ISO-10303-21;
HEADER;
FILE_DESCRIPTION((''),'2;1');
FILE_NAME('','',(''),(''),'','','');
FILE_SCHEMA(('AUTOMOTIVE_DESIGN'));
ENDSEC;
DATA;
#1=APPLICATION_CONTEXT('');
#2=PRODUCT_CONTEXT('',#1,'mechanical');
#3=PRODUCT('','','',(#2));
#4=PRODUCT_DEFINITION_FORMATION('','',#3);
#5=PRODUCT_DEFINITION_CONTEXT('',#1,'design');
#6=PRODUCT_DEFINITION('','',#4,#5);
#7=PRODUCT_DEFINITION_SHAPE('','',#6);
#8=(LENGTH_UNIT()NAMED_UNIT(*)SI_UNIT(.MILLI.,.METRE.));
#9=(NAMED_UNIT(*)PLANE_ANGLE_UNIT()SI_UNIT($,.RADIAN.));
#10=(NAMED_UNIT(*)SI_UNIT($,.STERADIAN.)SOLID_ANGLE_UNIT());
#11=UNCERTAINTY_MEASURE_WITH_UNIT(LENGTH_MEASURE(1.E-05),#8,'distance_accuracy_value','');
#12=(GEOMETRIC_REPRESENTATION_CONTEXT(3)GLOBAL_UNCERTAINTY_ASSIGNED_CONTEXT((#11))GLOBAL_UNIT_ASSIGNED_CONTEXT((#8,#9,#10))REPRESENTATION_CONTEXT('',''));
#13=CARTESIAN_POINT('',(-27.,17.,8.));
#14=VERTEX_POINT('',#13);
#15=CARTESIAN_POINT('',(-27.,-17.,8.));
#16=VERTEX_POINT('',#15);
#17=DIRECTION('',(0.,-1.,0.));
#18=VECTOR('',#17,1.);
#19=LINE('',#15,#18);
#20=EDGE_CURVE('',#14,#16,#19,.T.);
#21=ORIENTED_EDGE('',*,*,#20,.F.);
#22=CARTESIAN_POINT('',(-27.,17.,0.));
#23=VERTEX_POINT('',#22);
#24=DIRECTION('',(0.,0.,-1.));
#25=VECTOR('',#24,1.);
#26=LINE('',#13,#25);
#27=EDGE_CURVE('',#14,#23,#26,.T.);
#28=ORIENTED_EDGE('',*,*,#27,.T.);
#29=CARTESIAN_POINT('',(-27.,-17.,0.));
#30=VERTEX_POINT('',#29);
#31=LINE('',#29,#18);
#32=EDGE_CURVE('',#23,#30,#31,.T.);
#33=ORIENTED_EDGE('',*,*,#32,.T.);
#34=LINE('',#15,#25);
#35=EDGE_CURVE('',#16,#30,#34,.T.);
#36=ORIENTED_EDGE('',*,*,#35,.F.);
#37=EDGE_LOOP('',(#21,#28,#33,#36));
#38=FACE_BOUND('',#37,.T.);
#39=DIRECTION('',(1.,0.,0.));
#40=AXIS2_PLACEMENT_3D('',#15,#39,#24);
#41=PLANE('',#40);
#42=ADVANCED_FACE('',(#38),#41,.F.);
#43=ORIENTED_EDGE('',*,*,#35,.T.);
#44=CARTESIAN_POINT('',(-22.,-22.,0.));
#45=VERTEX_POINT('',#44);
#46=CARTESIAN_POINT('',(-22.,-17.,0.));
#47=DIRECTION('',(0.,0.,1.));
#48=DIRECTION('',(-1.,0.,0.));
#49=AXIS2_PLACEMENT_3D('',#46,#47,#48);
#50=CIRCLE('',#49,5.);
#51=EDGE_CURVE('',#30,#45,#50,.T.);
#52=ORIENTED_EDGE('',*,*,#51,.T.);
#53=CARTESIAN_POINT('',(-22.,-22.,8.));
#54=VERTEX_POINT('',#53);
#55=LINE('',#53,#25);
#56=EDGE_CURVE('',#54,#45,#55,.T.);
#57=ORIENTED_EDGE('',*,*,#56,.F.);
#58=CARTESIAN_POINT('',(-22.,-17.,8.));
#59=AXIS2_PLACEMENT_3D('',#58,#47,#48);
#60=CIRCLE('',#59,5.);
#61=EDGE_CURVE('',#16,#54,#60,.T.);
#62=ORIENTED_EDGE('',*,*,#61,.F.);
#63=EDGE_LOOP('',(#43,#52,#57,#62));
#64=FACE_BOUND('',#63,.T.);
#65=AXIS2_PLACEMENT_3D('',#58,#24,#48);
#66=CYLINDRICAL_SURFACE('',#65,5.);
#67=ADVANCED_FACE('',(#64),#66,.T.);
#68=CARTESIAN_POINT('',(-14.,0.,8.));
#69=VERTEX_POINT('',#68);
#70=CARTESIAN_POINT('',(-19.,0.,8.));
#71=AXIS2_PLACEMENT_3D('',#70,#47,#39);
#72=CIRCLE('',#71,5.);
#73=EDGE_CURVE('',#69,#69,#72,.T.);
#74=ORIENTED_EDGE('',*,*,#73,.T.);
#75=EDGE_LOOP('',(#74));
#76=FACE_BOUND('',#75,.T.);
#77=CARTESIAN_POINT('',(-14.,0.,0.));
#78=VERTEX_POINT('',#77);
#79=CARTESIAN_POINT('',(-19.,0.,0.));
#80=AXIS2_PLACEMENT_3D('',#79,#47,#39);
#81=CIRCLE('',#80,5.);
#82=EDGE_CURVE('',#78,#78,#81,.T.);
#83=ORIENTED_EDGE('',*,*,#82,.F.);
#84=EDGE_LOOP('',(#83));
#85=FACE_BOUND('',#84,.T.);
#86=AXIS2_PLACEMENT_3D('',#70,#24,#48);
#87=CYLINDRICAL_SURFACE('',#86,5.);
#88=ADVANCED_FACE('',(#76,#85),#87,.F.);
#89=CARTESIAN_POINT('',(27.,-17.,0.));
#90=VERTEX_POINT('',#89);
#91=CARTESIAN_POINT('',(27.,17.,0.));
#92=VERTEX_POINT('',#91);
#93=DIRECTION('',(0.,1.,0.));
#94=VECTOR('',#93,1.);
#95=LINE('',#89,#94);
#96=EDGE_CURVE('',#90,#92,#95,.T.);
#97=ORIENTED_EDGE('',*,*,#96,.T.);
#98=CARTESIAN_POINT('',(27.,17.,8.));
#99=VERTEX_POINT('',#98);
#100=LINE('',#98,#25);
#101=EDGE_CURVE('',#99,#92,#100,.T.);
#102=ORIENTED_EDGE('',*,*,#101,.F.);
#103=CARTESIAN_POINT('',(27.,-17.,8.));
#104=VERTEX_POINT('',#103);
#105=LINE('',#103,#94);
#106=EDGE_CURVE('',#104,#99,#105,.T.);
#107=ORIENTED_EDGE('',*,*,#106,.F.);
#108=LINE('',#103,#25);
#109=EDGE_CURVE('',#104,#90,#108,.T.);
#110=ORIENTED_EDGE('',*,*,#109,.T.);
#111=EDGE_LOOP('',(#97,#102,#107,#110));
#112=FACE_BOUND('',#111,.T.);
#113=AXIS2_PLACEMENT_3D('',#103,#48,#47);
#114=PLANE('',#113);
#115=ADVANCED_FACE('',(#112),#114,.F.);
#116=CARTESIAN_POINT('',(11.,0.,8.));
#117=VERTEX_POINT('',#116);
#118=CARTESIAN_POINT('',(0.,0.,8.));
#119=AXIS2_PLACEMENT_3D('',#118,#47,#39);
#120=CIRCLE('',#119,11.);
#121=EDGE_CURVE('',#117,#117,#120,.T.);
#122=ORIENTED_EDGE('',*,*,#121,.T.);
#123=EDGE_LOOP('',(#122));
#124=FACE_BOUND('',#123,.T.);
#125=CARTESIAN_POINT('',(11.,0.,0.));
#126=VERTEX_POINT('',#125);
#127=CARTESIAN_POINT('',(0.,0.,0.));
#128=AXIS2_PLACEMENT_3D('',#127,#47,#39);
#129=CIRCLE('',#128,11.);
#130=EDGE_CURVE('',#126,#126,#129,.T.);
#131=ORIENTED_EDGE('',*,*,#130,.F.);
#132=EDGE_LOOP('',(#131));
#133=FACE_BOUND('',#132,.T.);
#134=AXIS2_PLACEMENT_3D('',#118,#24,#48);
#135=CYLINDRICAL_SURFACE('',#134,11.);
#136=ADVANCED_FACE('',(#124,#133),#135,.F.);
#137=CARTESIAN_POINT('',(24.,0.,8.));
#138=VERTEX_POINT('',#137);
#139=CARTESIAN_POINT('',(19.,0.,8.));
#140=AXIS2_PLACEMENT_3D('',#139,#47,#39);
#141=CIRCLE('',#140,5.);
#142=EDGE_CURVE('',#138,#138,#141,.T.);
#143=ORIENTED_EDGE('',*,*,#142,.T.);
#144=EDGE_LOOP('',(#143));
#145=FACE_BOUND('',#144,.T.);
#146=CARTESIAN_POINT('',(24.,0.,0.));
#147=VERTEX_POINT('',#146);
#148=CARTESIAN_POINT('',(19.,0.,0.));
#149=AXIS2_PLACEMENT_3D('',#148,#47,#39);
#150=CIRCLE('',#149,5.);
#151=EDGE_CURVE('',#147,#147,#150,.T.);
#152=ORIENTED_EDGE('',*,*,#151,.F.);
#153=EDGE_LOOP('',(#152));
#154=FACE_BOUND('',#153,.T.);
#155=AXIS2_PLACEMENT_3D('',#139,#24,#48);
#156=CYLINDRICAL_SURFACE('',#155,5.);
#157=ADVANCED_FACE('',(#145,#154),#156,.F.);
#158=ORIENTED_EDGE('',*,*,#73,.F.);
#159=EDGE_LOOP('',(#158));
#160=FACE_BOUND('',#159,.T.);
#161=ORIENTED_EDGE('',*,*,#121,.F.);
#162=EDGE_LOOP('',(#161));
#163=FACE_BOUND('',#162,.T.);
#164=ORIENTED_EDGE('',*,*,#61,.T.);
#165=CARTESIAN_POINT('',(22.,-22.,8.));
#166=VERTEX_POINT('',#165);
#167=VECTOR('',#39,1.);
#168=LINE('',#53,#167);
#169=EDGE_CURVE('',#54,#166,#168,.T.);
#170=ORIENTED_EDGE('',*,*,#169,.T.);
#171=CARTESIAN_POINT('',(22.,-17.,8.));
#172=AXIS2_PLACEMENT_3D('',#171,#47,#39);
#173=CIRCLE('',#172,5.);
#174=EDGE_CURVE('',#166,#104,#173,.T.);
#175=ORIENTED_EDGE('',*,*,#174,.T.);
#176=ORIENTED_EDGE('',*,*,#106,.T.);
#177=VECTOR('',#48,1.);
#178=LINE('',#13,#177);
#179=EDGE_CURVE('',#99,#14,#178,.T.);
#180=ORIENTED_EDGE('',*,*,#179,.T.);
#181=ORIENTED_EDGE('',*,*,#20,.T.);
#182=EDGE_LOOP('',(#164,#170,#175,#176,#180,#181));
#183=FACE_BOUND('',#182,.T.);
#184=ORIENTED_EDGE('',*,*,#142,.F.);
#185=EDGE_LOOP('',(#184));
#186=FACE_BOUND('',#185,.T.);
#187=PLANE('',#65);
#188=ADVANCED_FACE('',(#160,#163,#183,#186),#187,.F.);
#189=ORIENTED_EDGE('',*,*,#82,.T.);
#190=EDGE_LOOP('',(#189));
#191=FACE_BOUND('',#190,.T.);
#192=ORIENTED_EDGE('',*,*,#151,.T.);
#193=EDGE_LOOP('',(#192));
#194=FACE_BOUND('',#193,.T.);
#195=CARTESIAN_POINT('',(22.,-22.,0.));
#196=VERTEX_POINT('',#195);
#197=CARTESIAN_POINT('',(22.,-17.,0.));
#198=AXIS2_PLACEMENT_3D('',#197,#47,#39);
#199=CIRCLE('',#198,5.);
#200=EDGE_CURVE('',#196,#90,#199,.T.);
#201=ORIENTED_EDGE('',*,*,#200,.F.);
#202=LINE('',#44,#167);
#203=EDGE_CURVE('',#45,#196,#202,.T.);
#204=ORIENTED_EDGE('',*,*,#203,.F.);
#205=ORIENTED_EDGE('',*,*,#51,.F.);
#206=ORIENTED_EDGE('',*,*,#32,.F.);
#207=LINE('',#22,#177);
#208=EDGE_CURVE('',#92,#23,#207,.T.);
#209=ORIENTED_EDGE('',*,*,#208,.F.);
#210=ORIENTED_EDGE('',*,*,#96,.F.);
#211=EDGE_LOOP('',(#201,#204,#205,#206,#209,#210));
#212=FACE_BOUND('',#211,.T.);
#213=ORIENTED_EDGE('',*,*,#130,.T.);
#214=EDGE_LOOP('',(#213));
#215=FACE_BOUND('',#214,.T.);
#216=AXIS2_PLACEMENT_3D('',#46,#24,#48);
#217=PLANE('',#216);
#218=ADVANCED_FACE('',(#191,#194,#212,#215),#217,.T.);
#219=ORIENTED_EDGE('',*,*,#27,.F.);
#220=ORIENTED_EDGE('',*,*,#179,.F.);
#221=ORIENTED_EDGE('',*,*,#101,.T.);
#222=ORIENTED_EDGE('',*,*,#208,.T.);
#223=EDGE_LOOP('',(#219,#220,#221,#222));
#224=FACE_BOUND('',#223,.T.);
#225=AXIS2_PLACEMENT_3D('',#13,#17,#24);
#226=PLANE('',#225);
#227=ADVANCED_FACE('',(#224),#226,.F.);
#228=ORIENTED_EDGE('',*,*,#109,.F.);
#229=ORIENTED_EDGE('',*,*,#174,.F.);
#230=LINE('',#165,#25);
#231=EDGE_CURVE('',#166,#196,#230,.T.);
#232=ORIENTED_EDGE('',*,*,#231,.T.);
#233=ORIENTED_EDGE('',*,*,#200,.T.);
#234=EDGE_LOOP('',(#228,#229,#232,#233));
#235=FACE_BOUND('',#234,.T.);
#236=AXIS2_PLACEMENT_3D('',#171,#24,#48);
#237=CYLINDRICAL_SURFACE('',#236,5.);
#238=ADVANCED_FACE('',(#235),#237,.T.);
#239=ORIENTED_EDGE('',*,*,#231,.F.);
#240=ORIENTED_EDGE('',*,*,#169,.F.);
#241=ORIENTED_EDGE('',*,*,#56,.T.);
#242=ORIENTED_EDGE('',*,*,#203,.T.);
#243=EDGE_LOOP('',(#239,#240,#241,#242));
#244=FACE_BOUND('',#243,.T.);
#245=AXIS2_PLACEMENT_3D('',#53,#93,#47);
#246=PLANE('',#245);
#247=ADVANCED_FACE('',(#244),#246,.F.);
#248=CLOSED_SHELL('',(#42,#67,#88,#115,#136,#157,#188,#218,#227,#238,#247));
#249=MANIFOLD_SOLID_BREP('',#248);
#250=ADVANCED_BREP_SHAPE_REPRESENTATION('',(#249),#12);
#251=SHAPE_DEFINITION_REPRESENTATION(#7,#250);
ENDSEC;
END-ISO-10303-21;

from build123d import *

# Parameters (mm, degrees)
SKETCH1_R           = 5
SKETCH1_R_2         = 11
BOSS_EXTRUDE1_DEPTH = 8


with BuildPart() as part:
    # Sketch1 → Boss-Extrude1 (new body)
    with BuildSketch(Plane.XY):
        with BuildLine():
            Line((-22, -22), (22, -22))
            ThreePointArc((22, -22), (25.535533906, -20.535533906), (27, -17))
            Line((27, -17), (27, 17))
            Line((27, 17), (-27, 17))
            Line((-27, 17), (-27, -17))
            ThreePointArc((-27, -17), (-25.535533906, -20.535533906), (-22, -22))
        make_face()
        with Locations((-19, 0)):
            Circle(SKETCH1_R, mode=Mode.SUBTRACT)
        with Locations((19, 0)):
            Circle(SKETCH1_R, mode=Mode.SUBTRACT)
        Circle(SKETCH1_R_2, mode=Mode.SUBTRACT)
    extrude(amount=BOSS_EXTRUDE1_DEPTH)


solid = part.part
